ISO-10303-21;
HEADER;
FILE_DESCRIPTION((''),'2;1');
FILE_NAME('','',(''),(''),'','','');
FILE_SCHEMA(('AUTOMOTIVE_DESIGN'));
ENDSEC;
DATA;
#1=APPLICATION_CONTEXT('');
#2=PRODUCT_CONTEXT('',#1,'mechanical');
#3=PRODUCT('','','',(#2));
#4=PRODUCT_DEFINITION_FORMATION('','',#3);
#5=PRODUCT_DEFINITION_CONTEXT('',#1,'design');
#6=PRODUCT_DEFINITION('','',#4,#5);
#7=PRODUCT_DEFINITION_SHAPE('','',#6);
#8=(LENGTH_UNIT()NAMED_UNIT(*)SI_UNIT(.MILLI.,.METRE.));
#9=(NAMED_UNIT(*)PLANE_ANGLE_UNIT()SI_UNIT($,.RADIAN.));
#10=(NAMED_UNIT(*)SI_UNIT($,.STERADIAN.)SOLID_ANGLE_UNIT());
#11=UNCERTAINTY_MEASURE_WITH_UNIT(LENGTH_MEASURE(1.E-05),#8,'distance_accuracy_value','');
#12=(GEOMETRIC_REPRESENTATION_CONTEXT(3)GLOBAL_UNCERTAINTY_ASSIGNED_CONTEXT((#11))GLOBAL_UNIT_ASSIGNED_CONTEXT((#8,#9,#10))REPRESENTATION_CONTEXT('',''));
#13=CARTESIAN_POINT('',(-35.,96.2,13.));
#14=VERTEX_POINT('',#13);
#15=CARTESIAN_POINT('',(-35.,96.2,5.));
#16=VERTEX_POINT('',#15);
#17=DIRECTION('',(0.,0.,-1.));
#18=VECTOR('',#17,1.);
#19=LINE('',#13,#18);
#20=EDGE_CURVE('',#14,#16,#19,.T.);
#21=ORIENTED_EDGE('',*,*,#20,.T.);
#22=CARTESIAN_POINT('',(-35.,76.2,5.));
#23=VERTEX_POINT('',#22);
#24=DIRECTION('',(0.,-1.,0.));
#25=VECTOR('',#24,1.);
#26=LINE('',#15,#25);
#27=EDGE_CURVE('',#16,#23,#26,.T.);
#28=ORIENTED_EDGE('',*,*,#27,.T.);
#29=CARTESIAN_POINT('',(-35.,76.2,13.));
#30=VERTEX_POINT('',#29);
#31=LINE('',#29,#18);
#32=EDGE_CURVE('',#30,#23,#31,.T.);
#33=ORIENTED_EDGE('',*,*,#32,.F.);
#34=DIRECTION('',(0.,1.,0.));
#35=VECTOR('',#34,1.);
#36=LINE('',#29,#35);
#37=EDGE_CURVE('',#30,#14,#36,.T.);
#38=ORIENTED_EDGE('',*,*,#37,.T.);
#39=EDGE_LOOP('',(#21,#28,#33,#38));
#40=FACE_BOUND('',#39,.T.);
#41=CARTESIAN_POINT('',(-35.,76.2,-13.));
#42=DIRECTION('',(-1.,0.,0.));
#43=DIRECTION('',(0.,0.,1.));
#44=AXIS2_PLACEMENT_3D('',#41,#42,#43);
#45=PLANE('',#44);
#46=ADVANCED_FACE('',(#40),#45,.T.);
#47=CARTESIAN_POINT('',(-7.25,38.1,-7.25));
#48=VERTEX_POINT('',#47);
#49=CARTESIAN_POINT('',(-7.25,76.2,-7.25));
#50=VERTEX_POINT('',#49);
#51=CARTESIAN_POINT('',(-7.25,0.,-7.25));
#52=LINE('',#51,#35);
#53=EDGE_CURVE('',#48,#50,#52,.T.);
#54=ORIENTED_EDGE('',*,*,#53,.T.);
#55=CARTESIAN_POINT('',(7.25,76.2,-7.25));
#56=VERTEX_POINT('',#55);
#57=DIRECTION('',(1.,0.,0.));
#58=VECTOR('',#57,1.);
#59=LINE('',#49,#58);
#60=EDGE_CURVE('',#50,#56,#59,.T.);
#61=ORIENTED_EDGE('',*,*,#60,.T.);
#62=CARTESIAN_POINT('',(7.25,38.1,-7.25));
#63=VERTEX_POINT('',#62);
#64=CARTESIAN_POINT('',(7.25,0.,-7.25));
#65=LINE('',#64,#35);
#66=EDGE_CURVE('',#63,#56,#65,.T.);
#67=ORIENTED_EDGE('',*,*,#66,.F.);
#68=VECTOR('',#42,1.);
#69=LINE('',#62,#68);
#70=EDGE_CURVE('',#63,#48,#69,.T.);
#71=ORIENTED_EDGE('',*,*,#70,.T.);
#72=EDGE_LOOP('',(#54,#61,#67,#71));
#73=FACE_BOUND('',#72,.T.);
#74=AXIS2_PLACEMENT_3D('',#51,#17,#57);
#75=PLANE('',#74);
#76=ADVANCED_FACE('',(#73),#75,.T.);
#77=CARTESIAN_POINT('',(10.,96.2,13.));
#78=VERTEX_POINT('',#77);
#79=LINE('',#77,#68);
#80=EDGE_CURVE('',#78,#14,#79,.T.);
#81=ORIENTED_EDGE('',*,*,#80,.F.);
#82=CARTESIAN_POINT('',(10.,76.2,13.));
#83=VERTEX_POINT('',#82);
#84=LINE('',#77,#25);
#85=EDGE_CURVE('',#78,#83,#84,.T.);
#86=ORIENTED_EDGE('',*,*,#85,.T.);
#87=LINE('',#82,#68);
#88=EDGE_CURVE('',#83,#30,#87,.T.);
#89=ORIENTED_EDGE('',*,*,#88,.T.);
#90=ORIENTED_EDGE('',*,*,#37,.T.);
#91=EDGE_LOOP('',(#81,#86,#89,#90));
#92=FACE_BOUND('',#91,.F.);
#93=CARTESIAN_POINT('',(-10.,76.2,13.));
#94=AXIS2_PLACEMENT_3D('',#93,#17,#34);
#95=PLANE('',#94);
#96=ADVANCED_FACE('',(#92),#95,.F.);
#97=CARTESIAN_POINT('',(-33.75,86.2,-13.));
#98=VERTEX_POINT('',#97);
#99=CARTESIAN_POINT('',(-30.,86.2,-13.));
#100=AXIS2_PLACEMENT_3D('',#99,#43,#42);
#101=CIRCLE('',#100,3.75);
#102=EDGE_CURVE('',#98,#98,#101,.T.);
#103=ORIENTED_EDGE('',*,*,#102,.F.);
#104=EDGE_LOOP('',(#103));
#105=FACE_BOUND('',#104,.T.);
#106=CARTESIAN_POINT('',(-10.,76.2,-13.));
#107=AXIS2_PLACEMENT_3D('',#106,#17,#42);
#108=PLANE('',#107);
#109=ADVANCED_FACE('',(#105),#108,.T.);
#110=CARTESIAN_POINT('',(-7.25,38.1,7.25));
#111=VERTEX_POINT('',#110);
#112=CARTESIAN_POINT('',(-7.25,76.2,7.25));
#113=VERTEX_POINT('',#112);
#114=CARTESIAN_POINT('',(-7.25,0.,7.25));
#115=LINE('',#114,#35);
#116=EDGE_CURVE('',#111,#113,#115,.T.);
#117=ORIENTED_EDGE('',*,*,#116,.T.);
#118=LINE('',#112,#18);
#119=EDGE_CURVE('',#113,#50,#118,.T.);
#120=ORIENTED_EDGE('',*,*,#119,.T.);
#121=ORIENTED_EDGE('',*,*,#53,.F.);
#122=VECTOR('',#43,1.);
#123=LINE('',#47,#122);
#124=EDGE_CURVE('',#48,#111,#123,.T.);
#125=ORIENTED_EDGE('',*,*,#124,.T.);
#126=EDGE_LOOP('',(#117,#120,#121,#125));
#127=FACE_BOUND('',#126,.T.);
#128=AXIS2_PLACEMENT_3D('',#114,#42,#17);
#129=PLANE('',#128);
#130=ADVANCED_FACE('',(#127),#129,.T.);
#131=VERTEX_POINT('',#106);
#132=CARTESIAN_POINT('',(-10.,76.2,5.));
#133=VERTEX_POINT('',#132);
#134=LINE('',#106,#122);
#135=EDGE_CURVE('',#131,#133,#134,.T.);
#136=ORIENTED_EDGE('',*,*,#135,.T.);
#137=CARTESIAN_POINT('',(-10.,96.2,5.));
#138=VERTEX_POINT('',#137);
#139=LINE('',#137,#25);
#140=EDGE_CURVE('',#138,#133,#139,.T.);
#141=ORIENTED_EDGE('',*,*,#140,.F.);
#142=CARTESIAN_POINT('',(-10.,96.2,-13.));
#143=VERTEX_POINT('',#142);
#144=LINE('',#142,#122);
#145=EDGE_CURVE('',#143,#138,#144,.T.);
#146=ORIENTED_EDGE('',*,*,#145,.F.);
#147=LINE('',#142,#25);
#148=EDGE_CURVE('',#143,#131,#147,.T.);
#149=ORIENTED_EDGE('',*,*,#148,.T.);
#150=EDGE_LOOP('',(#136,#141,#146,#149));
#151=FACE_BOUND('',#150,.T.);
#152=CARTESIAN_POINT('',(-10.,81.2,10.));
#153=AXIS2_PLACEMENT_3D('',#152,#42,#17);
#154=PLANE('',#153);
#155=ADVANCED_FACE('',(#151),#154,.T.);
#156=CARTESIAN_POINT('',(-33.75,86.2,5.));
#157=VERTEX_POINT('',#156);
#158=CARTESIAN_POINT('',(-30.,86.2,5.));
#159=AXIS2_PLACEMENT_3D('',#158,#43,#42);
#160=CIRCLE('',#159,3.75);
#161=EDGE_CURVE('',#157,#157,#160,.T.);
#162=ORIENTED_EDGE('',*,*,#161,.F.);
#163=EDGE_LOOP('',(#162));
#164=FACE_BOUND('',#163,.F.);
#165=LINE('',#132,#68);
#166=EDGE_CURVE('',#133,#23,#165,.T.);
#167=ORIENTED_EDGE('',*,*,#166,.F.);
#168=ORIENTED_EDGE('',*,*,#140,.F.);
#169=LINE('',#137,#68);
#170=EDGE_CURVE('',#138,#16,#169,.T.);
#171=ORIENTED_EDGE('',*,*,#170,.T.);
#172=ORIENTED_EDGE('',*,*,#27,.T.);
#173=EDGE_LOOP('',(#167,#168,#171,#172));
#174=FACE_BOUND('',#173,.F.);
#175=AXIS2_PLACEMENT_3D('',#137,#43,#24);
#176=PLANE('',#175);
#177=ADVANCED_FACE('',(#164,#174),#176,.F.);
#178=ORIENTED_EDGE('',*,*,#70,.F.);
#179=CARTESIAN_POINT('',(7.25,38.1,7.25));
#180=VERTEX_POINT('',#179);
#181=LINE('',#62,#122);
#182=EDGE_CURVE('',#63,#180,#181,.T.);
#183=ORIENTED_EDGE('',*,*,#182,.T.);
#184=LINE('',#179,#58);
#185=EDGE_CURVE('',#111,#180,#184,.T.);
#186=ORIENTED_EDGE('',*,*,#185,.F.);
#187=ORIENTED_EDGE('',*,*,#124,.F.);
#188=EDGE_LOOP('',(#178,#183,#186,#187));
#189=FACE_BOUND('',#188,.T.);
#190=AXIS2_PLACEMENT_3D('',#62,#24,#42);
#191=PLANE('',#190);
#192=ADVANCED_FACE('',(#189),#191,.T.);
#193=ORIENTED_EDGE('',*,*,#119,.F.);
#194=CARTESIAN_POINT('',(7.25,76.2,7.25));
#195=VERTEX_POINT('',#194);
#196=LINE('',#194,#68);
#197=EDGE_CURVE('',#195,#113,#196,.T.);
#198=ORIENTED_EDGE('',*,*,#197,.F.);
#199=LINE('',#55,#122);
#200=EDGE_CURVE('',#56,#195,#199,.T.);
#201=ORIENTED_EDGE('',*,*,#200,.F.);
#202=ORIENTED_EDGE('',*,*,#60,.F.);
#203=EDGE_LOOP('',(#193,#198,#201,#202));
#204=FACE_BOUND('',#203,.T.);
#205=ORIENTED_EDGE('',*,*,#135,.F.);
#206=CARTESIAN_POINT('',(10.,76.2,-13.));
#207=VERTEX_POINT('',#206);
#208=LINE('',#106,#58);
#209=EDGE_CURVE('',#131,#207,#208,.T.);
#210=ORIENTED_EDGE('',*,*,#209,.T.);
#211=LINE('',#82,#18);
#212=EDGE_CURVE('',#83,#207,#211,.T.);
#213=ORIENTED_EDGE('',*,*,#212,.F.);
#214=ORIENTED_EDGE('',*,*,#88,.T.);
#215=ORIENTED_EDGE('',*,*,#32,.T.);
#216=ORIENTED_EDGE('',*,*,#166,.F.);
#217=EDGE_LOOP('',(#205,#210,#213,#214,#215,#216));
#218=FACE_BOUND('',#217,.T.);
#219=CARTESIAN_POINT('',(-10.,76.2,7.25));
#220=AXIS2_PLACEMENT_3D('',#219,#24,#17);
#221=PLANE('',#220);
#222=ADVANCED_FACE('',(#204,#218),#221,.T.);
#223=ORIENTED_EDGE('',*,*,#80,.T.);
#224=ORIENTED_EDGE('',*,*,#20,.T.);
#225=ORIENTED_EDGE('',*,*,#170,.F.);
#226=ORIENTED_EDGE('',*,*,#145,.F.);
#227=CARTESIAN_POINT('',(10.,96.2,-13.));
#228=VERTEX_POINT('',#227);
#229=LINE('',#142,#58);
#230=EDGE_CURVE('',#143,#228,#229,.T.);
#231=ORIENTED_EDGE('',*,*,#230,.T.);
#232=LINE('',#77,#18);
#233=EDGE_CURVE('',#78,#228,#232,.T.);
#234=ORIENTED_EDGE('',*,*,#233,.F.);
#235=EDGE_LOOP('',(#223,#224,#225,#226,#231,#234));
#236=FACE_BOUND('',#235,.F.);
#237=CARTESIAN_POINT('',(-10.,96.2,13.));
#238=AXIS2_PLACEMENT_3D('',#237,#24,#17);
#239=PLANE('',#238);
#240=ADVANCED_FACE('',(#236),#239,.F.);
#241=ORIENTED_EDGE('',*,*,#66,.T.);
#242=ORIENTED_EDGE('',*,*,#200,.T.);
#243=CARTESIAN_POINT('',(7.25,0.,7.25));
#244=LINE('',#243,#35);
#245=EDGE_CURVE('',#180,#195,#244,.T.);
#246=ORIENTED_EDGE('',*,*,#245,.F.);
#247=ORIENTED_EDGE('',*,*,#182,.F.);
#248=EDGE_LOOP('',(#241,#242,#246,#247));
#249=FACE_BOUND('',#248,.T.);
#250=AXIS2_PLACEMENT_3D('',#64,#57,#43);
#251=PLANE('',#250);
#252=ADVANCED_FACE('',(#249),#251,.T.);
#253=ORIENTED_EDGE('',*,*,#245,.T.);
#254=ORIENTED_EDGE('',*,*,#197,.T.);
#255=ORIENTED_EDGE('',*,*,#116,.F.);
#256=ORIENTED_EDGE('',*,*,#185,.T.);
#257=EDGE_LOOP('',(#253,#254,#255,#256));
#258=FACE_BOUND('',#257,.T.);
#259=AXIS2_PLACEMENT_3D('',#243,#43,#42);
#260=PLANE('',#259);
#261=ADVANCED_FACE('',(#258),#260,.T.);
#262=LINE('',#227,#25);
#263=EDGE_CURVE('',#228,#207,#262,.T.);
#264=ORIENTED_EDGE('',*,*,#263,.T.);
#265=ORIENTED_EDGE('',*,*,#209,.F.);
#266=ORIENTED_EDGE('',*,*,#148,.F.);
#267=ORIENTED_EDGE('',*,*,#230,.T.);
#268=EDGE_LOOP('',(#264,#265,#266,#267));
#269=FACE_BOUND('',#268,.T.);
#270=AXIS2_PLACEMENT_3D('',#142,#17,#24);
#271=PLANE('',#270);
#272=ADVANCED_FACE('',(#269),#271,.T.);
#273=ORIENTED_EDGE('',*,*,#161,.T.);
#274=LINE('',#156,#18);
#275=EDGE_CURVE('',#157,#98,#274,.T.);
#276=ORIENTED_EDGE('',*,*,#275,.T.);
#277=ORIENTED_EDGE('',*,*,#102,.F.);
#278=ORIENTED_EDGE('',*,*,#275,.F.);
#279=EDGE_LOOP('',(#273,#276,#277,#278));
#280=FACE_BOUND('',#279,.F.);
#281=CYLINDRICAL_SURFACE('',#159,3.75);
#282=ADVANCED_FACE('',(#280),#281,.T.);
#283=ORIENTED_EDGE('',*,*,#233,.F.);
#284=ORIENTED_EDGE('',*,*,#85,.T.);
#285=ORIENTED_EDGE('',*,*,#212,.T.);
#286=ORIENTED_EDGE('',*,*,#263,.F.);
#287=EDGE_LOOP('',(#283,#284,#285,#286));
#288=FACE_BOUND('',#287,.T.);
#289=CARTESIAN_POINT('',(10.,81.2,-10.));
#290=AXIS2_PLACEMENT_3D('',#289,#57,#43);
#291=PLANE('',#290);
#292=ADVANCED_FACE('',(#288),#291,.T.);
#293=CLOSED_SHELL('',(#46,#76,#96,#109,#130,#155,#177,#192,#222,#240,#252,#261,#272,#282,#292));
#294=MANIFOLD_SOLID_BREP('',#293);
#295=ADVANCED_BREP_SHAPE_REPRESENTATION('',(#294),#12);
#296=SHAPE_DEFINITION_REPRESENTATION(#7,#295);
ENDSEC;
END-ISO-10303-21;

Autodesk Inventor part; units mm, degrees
ref_plane "YZ Plane" through (0, 0, 0) normal (1, 0, 0) x (0, 1, 0)
ref_plane "XZ Plane" through (0, 0, 0) normal (0, 1, 0) x (-1, 0, 0)
ref_plane "XY Plane" through (0, 0, 0) normal (0, 0, 1) x (1, 0, 0)
sketch "Sketch1" plane through (0, 0, 0) normal (0, 1, 0) x (-1, 0, 0)
  line L0 (-7.25, 7.25) -> (7.25, 7.25)
  line L1 (7.25, 7.25) -> (7.25, -7.25)
  line L2 (7.25, -7.25) -> (-7.25, -7.25)
  line L3 (-7.25, -7.25) -> (-7.25, 7.25)
  line L4 (-7.25, 7.25) -> (7.25, -7.25) construction
  line L5 (7.25, 7.25) -> (-7.25, -7.25) construction
  point P0 (0, 0)
  dimension "d0" = 14.5
  dimension "d1" = 14.5
extrude "Extrusion1" add sketch "Sketch1" along normal blind 76.2
sketch "Sketch2" plane through (0, 76.2, 0) normal (0, 1, 0) x (1, 0, 0)
  line L0 (10, -10) -> (-10, -10)
  line L1 (-10, -10) -> (-10, 10)
  line L2 (-10, 10) -> (10, 10)
  line L3 (10, 10) -> (10, -10)
  line L4 (10, -10) -> (-10, 10) construction
  line L5 (-10, -10) -> (10, 10) construction
  point P0 (0, 0)
  dimension "d4" = 20
  dimension "d5" = 20
extrude "Extrusion2" add sketch "Sketch2" along normal blind 5
sketch "Sketch3" plane through (0, 81.2, 0) normal (0, 1, 0) x (1, 0, 0)
  line L0 (7.5, -7.5) -> (-7.5, -7.5)
  line L1 (-7.5, -7.5) -> (-7.5, 7.5)
  line L2 (-7.5, 7.5) -> (7.5, 7.5)
  line L3 (7.5, 7.5) -> (7.5, -7.5)
  line L4 (7.5, -7.5) -> (-7.5, 7.5) construction
  line L5 (-7.5, -7.5) -> (7.5, 7.5) construction
  line L6 (10, -10) -> (-10, -10)
  line L7 (-10, -10) -> (-10, 10)
  line L8 (-10, 10) -> (10, 10)
  line L9 (10, 10) -> (10, -10)
  line L10 (10, -10) -> (-10, 10) construction
  line L11 (-10, -10) -> (10, 10) construction
  point P0 (0, 0)
  dimension "d8" = 15
  dimension "d9" = 15
extrude "Extrusion3" add sketch "Sketch3" along normal blind 76.2
sketch "Sketch4" plane through (10, 76.2, 10) normal (1, 0, 0) x (0, 0, -1)
  line L0 (20, 0) -> (20, 81.2) projected
  line L1 (15, 81.2) -> (15, 0)
  line L2 (0, 0) -> (20, 0) projected
  line L3 (15, 81.2) -> (13, 81.2)
  line L4 (17.5, 81.2) -> (2.5, 81.2) projected
  line L5 (13, 81.2) -> (13, 0)
  line L6 (13, 0) -> (15, 0)
  line L7 (20, 81.2) -> (0, 81.2) projected
  point P0 (10, -76.2)
  dimension "d12" = 2
extrude "Extrusion4" add sketch "Sketch4" along normal blind 10 contours L2 L5 L3 L1
sketch "Sketch5" plane through (10, 76.2, -3) normal (0, 0, 1) x (1, 0, 0)
  line L0 (0, 81.2) -> (10, 81.2) projected
  line L1 (10, 81.2) -> (8, 81.2)
  line L2 (8, 81.2) -> (8, 0)
  line L3 (8, 0) -> (10, 0)
  line L4 (10, 0) -> (10, 81.2)
  point P0 (-10, -76.2)
  dimension "d15" = 2
extrude "Extrusion5" add sketch "Sketch5" along normal blind 8
sketch "Sketch6" plane through (20, 76.2, 10) normal (1, 0, 0) x (0, 0, -1)
  line L0 (5, 81.2) -> (3, 81.2)
  line L1 (3, 81.2) -> (3, 0)
  line L2 (3, 0) -> (5, 0)
  line L3 (5, 0) -> (5, 81.2)
  point P0 (10, -76.2)
  dimension "d18" = 2
extrude "Extrusion6" add sketch "Sketch6" against normal blind 4
sketch "Sketch7" plane through (0, 76.2, 0) normal (0, -1, 0) x (1, 0, 0)
  line L0 (10, -5) -> (20, -5)
  line L1 (20, -5) -> (20, 7)
  line L2 (20, 7) -> (10, 7)
  line L3 (10, 7) -> (10, -5)
  point P0 (0, 0)
extrude "Extrusion7" cut sketch "Sketch7" against normal through all
sketch "Sketch8" plane through (7.25, 0, -7.25) normal (0, 0, -1) x (-1, 0, 0)
  line L0 (0, 0) -> (0, 76.2)
  line L1 (0, 0) -> (0, 76.2) projected
  line L2 (0, 38.1) -> (14.5, 38.1)
  line L3 (14.5, 38.1) -> (14.5, 0)
  line L4 (14.5, 0) -> (0, 0)
  line L5 (0, 0) -> (0, 38.1)
  point P0 (7.25, 0)
extrude "Extrusion8" cut sketch "Sketch8" against normal through all
sketch "Sketch9" plane through (10, 76.2, -10) normal (0, 0, -1) x (-1, 0, 0)
  line L0 (0, 0) -> (0, 20)
  line L1 (0, 0) -> (0, 81.2) projected
  line L2 (0, 20) -> (20, 20)
  line L3 (20, 20) -> (20, 81.2)
  line L4 (20, 81.2) -> (0, 81.2)
  line L5 (0, 81.2) -> (0, 20)
  point P0 (10, -76.2)
  dimension "d25" = 20
extrude "Extrusion9" cut sketch "Sketch9" against normal through all
sketch "Sketch10" plane through (-10, 96.2, -10) normal (0, 1, 0) x (1, 0, 0)
  line L0 (17.5, -2.5) -> (2.5, -2.5)
  line L1 (2.5, -2.5) -> (2.5, -17.5)
  line L2 (2.5, -17.5) -> (17.5, -17.5)
  line L3 (17.5, -17.5) -> (17.5, -2.5)
  point P0 (10, -10)
extrude "Extrusion10" add sketch "Sketch10" against normal blind 15
sketch "Sketch11" plane through (10, 76.2, 10) normal (1, 0, 0) x (0, 0, -1)
  point P0 (10, -76.2)
sketch "Sketch12" plane through (-10, 76.2, -10) normal (-1, 0, 0) x (0, 0, 1)
  line L0 (0, 0) -> (0, 20) projected
  line L1 (20, 0) -> (20, 20) projected
  line L2 (20, 10) -> (15, 10)
  line L3 (0, 10) -> (5, 10)
  line L4 (20, 20) -> (23, 20)
  line L5 (23, 20) -> (23, 0)
  line L6 (23, 0) -> (20, 0)
  line L7 (20, 0) -> (20, 20)
  line L8 (0, 20) -> (-3, 20)
  line L9 (-3, 20) -> (-3, 0)
  line L10 (-3, 0) -> (0, 0)
  line L11 (0, 0) -> (0, 20)
  point P0 (10, -76.2)
  dimension "d30" = 5
  dimension "d31" = 5
  dimension "d32" = 3
  dimension "d33" = 3
extrude "Extrusion11" add sketch "Sketch12" against normal blind 20
sketch "Sketch13" plane through (-10, 76.2, -13) normal (-1, 0, 0) x (0, 0, 1)
  line L0 (20.25, 0) -> (5.75, 0) projected
  line L1 (0, 20) -> (8, 20)
  line L2 (8, 20) -> (8, 0)
  line L3 (8, 0) -> (0, 0)
  line L4 (0, 0) -> (0, 20)
  line L5 (26, 20) -> (18, 20)
  line L6 (18, 20) -> (18, 0)
  line L7 (18, 0) -> (26, 0)
  line L8 (26, 0) -> (26, 20)
  point P0 (13, -76.2)
  dimension "d36" = 8
  dimension "d37" = 8
extrude "Extrusion12" add sketch "Sketch13" along normal blind 25 contours L0 L6 L5 L8 L7
sketch "Sketch14" plane through (-10, 76.2, 5) normal (0, 0, -1) x (-1, 0, 0)
  line L0 (0, 20) -> (0, 0) projected
  line L1 (0, 10) -> (20, 10)
  circle A0 centre (20, 10) radius 3.75
  point P0 (-10, -76.2)
  dimension "d40" = 20
  dimension "d41" = 7.5
sketch "Sketch15" plane through (-10, 76.2, -13) normal (-1, 0, 0) x (0, 0, 1)
  point P0 (13, -76.2)
extrude "Extrusion13" add sketch "Sketch14" along normal blind 18
sketch "Sketch16" plane through (-10, 76.2, -13) normal (0, 0, -1) x (-1, 0, 0)
  point P0 (-10, -76.2)
properties part number "BearingEndCap"
